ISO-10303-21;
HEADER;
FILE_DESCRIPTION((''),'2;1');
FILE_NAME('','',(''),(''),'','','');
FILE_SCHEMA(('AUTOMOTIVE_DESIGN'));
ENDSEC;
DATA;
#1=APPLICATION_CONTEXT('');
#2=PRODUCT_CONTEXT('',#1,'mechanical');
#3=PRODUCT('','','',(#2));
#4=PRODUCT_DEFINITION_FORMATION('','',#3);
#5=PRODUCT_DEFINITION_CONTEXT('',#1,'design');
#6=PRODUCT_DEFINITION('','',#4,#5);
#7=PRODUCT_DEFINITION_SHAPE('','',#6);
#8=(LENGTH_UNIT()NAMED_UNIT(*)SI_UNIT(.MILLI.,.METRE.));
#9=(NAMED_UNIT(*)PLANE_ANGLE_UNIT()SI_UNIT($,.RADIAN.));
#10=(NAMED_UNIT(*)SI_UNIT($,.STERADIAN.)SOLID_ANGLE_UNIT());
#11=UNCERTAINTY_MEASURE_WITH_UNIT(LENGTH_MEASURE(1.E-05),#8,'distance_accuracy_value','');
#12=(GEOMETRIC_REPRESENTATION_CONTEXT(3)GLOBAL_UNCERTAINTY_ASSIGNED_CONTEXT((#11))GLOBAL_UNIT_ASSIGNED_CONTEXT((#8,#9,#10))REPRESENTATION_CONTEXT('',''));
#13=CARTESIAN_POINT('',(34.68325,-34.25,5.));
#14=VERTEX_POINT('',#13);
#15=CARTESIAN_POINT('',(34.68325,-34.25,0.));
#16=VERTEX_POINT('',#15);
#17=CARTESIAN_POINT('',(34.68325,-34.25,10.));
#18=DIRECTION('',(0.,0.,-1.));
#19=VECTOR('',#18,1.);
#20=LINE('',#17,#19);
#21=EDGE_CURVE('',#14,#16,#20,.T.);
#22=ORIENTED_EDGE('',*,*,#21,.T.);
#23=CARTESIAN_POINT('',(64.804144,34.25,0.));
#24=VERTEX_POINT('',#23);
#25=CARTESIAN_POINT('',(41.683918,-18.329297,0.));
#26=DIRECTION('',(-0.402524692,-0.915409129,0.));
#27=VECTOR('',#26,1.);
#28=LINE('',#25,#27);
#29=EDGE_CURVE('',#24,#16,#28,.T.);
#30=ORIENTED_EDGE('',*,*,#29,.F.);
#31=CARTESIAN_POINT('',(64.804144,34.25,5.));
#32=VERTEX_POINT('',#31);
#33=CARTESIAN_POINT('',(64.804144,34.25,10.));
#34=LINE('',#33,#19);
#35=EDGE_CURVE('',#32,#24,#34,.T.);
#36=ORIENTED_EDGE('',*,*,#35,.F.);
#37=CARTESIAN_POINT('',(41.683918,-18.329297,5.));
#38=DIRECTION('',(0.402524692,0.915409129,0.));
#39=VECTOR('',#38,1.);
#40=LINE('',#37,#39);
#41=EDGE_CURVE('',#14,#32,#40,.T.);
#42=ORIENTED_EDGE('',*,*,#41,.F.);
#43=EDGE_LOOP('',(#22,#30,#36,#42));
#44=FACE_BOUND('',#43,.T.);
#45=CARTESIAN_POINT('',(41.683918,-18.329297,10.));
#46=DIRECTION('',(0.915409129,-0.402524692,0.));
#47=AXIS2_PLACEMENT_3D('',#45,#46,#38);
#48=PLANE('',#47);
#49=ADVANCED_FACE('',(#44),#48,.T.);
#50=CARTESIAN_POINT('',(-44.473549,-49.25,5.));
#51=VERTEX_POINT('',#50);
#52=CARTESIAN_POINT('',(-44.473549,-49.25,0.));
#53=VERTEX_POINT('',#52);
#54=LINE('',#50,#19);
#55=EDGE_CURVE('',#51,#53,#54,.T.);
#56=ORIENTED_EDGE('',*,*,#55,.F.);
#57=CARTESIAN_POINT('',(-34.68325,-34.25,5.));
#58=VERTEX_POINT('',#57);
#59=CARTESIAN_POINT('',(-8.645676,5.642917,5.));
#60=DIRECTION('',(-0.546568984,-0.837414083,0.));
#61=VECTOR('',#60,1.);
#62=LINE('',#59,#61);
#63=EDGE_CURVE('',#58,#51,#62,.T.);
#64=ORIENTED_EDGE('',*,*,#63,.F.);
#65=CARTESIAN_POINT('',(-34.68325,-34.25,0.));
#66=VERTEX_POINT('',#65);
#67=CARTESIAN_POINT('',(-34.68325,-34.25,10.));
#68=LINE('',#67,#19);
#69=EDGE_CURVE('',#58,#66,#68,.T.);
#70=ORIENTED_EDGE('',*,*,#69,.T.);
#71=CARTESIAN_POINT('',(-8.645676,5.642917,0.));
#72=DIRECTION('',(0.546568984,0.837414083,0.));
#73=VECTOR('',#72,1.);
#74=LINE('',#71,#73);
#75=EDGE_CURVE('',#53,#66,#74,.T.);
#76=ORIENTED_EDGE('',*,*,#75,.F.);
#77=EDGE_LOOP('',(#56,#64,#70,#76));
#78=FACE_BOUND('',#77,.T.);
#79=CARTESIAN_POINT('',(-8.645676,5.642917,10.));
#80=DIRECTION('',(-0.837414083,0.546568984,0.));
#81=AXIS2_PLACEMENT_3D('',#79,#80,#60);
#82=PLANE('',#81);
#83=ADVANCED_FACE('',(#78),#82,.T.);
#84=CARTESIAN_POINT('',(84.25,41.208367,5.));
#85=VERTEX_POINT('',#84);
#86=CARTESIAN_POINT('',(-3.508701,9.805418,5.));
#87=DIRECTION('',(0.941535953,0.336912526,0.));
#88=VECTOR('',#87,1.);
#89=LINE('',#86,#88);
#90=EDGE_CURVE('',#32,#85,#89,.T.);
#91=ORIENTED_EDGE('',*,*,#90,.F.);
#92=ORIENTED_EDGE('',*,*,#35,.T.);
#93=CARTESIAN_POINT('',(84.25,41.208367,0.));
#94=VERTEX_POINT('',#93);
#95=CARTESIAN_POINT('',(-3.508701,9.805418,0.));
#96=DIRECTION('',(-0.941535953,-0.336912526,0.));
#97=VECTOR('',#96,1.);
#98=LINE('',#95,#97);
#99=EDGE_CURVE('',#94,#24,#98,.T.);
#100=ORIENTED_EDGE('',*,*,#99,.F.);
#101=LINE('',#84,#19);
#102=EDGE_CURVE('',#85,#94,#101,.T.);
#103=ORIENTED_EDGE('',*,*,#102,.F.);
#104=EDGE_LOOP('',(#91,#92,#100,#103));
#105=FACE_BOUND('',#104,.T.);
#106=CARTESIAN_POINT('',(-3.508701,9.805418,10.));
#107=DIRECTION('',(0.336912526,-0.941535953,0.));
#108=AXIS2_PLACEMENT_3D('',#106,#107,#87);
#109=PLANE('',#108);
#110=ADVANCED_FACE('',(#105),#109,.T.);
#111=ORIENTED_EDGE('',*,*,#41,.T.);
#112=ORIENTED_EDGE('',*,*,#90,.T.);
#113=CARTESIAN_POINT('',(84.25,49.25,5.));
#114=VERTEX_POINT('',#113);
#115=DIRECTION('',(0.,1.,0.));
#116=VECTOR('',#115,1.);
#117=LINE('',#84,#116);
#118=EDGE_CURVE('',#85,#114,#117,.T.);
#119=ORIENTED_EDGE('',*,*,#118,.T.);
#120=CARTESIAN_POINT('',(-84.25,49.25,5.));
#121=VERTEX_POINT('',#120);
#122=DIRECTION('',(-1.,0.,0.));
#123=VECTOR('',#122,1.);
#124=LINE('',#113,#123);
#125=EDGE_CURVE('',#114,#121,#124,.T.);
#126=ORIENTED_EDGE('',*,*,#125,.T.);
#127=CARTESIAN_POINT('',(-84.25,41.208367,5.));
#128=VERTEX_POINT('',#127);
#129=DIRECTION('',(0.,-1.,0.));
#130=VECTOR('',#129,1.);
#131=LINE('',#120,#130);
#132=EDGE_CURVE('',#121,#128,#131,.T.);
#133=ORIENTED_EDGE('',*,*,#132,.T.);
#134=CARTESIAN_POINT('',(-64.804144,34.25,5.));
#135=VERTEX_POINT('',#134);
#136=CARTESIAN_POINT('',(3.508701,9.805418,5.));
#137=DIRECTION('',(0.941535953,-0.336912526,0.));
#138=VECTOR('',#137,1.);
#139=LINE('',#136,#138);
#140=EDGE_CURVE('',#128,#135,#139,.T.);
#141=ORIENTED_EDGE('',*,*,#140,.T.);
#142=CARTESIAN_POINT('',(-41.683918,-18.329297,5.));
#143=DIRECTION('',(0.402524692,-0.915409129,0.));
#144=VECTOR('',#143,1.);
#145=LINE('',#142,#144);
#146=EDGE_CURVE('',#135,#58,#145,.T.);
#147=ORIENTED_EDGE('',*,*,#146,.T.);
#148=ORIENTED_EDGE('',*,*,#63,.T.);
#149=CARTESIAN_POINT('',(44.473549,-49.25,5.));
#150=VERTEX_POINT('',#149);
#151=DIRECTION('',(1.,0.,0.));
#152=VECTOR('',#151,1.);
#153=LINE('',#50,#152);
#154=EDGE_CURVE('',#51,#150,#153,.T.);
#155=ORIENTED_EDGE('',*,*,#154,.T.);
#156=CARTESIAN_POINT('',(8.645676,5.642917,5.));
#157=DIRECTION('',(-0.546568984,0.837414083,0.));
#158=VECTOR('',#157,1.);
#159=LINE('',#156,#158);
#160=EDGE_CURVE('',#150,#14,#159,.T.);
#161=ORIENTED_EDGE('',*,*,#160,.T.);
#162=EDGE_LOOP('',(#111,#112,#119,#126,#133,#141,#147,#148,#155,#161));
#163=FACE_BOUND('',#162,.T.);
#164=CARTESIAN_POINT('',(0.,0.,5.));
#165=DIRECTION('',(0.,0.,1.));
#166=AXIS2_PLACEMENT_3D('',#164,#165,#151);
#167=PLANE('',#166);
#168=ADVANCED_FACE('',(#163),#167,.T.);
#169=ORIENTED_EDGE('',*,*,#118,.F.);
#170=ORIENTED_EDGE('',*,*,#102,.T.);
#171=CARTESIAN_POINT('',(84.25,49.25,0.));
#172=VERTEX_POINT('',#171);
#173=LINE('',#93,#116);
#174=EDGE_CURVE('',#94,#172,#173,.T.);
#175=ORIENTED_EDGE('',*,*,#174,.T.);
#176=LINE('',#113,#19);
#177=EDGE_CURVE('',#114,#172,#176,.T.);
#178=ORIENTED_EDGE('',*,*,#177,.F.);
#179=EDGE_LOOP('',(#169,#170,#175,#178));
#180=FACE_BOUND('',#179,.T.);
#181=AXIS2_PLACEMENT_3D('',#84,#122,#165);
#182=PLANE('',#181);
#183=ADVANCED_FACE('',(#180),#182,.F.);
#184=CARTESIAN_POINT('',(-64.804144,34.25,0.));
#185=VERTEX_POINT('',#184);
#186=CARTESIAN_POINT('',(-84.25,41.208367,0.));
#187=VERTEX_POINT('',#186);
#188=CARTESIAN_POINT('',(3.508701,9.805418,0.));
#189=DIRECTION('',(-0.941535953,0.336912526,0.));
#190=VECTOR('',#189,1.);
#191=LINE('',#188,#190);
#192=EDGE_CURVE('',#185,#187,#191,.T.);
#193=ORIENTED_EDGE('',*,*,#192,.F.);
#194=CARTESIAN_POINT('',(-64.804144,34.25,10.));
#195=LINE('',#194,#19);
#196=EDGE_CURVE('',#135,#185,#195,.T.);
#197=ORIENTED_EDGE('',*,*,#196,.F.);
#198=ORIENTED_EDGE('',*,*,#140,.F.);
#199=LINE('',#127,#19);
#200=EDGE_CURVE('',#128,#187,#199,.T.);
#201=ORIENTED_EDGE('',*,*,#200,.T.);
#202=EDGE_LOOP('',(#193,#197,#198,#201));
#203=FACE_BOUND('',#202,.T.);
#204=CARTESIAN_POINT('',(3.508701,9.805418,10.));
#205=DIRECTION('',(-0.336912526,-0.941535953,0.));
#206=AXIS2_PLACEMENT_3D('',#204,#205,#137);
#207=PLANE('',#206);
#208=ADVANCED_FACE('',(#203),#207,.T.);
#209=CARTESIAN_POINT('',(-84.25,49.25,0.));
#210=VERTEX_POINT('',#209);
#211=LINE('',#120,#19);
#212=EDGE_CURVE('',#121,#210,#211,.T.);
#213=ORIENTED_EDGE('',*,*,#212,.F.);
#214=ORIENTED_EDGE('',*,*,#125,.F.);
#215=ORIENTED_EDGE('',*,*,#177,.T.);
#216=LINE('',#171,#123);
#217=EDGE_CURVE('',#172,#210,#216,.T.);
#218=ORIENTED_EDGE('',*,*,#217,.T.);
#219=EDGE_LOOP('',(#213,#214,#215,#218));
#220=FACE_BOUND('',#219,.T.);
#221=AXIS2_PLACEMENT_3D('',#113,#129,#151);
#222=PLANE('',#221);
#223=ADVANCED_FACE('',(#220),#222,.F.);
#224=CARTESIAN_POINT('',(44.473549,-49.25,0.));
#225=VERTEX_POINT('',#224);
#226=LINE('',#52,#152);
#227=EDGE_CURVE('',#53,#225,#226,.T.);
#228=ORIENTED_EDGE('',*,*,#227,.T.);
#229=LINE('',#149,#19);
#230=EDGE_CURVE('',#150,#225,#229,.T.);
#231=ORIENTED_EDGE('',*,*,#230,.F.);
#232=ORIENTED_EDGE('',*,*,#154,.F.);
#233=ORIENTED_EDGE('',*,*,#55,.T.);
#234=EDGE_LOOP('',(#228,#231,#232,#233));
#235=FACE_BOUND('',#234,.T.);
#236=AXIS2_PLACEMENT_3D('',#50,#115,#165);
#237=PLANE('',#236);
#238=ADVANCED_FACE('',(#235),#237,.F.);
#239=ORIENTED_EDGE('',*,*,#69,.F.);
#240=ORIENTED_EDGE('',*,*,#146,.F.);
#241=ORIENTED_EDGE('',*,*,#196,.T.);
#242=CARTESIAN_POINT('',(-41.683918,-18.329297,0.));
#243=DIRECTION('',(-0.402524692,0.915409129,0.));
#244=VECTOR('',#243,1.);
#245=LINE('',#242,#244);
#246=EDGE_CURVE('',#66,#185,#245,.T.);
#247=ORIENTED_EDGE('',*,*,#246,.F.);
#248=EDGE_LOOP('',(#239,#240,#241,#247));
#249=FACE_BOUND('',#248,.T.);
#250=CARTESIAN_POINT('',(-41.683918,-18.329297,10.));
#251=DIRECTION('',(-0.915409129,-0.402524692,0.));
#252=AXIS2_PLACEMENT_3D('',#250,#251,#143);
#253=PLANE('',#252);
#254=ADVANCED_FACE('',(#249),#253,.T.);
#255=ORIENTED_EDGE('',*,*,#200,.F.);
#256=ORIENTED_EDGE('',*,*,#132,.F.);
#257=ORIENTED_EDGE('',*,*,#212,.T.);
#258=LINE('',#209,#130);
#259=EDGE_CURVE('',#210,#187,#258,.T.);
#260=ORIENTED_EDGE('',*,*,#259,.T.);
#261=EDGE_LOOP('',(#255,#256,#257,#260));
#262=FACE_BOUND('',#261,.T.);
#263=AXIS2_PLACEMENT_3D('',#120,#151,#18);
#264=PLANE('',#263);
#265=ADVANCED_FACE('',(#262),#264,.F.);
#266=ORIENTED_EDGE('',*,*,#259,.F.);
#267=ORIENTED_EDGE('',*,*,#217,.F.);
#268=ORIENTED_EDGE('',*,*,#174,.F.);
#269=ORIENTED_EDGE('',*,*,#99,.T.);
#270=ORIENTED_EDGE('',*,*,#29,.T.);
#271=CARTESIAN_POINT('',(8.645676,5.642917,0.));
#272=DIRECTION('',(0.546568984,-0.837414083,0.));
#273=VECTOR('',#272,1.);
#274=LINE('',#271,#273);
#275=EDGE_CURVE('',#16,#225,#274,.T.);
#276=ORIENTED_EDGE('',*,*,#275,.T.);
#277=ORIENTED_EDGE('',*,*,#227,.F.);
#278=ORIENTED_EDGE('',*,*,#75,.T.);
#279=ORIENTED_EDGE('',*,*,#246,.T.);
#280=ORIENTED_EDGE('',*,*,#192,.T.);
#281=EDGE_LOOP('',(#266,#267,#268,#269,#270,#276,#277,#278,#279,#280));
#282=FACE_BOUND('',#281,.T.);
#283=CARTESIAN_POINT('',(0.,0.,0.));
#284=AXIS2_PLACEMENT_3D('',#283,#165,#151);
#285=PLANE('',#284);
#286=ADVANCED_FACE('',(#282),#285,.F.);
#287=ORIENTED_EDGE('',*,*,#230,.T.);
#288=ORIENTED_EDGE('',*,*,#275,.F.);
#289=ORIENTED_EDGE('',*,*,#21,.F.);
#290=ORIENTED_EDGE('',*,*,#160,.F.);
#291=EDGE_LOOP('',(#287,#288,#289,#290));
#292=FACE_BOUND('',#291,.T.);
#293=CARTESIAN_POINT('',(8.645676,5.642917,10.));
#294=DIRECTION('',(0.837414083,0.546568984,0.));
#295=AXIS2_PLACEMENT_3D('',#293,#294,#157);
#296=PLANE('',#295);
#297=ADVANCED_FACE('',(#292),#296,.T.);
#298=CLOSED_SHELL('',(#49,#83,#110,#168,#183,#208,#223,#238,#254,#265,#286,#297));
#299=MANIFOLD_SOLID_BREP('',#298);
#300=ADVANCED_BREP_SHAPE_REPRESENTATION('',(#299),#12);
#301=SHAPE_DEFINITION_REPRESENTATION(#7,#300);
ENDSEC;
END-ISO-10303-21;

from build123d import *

# Parameters (mm, degrees)
BOSS_EXTRUDE1_DEPTH = 5
CUT_EXTRUDE1_DEPTH  = 10


with BuildPart() as part:
    # Sketch1 → Boss-Extrude1 (new body)
    with BuildSketch(Plane.XY):
        Polygon((-84.25, 41.208366892), (-44.473549128, -49.25), (44.473549128, -49.25), (84.25, 41.208366892), (84.25, 49.25), (-84.25, 49.25), align=None)
    extrude(amount=BOSS_EXTRUDE1_DEPTH)

    # Sketch2 → Cut-Extrude1 (cut)
    with BuildSketch(Plane(origin=(0, 0, 0), x_dir=(-1, 0, 0), z_dir=(0, 0, -1))):
        Polygon((44.473549128, -49.25), (34.683249526, -34.25), (64.804143572, 34.25), (84.25, 41.208366892), align=None)
        Polygon((-64.804143572, 34.25), (-34.683249526, -34.25), (-44.473549128, -49.25), (-84.25, 41.208366892), align=None)
    extrude(amount=-CUT_EXTRUDE1_DEPTH, mode=Mode.SUBTRACT)


solid = part.part
